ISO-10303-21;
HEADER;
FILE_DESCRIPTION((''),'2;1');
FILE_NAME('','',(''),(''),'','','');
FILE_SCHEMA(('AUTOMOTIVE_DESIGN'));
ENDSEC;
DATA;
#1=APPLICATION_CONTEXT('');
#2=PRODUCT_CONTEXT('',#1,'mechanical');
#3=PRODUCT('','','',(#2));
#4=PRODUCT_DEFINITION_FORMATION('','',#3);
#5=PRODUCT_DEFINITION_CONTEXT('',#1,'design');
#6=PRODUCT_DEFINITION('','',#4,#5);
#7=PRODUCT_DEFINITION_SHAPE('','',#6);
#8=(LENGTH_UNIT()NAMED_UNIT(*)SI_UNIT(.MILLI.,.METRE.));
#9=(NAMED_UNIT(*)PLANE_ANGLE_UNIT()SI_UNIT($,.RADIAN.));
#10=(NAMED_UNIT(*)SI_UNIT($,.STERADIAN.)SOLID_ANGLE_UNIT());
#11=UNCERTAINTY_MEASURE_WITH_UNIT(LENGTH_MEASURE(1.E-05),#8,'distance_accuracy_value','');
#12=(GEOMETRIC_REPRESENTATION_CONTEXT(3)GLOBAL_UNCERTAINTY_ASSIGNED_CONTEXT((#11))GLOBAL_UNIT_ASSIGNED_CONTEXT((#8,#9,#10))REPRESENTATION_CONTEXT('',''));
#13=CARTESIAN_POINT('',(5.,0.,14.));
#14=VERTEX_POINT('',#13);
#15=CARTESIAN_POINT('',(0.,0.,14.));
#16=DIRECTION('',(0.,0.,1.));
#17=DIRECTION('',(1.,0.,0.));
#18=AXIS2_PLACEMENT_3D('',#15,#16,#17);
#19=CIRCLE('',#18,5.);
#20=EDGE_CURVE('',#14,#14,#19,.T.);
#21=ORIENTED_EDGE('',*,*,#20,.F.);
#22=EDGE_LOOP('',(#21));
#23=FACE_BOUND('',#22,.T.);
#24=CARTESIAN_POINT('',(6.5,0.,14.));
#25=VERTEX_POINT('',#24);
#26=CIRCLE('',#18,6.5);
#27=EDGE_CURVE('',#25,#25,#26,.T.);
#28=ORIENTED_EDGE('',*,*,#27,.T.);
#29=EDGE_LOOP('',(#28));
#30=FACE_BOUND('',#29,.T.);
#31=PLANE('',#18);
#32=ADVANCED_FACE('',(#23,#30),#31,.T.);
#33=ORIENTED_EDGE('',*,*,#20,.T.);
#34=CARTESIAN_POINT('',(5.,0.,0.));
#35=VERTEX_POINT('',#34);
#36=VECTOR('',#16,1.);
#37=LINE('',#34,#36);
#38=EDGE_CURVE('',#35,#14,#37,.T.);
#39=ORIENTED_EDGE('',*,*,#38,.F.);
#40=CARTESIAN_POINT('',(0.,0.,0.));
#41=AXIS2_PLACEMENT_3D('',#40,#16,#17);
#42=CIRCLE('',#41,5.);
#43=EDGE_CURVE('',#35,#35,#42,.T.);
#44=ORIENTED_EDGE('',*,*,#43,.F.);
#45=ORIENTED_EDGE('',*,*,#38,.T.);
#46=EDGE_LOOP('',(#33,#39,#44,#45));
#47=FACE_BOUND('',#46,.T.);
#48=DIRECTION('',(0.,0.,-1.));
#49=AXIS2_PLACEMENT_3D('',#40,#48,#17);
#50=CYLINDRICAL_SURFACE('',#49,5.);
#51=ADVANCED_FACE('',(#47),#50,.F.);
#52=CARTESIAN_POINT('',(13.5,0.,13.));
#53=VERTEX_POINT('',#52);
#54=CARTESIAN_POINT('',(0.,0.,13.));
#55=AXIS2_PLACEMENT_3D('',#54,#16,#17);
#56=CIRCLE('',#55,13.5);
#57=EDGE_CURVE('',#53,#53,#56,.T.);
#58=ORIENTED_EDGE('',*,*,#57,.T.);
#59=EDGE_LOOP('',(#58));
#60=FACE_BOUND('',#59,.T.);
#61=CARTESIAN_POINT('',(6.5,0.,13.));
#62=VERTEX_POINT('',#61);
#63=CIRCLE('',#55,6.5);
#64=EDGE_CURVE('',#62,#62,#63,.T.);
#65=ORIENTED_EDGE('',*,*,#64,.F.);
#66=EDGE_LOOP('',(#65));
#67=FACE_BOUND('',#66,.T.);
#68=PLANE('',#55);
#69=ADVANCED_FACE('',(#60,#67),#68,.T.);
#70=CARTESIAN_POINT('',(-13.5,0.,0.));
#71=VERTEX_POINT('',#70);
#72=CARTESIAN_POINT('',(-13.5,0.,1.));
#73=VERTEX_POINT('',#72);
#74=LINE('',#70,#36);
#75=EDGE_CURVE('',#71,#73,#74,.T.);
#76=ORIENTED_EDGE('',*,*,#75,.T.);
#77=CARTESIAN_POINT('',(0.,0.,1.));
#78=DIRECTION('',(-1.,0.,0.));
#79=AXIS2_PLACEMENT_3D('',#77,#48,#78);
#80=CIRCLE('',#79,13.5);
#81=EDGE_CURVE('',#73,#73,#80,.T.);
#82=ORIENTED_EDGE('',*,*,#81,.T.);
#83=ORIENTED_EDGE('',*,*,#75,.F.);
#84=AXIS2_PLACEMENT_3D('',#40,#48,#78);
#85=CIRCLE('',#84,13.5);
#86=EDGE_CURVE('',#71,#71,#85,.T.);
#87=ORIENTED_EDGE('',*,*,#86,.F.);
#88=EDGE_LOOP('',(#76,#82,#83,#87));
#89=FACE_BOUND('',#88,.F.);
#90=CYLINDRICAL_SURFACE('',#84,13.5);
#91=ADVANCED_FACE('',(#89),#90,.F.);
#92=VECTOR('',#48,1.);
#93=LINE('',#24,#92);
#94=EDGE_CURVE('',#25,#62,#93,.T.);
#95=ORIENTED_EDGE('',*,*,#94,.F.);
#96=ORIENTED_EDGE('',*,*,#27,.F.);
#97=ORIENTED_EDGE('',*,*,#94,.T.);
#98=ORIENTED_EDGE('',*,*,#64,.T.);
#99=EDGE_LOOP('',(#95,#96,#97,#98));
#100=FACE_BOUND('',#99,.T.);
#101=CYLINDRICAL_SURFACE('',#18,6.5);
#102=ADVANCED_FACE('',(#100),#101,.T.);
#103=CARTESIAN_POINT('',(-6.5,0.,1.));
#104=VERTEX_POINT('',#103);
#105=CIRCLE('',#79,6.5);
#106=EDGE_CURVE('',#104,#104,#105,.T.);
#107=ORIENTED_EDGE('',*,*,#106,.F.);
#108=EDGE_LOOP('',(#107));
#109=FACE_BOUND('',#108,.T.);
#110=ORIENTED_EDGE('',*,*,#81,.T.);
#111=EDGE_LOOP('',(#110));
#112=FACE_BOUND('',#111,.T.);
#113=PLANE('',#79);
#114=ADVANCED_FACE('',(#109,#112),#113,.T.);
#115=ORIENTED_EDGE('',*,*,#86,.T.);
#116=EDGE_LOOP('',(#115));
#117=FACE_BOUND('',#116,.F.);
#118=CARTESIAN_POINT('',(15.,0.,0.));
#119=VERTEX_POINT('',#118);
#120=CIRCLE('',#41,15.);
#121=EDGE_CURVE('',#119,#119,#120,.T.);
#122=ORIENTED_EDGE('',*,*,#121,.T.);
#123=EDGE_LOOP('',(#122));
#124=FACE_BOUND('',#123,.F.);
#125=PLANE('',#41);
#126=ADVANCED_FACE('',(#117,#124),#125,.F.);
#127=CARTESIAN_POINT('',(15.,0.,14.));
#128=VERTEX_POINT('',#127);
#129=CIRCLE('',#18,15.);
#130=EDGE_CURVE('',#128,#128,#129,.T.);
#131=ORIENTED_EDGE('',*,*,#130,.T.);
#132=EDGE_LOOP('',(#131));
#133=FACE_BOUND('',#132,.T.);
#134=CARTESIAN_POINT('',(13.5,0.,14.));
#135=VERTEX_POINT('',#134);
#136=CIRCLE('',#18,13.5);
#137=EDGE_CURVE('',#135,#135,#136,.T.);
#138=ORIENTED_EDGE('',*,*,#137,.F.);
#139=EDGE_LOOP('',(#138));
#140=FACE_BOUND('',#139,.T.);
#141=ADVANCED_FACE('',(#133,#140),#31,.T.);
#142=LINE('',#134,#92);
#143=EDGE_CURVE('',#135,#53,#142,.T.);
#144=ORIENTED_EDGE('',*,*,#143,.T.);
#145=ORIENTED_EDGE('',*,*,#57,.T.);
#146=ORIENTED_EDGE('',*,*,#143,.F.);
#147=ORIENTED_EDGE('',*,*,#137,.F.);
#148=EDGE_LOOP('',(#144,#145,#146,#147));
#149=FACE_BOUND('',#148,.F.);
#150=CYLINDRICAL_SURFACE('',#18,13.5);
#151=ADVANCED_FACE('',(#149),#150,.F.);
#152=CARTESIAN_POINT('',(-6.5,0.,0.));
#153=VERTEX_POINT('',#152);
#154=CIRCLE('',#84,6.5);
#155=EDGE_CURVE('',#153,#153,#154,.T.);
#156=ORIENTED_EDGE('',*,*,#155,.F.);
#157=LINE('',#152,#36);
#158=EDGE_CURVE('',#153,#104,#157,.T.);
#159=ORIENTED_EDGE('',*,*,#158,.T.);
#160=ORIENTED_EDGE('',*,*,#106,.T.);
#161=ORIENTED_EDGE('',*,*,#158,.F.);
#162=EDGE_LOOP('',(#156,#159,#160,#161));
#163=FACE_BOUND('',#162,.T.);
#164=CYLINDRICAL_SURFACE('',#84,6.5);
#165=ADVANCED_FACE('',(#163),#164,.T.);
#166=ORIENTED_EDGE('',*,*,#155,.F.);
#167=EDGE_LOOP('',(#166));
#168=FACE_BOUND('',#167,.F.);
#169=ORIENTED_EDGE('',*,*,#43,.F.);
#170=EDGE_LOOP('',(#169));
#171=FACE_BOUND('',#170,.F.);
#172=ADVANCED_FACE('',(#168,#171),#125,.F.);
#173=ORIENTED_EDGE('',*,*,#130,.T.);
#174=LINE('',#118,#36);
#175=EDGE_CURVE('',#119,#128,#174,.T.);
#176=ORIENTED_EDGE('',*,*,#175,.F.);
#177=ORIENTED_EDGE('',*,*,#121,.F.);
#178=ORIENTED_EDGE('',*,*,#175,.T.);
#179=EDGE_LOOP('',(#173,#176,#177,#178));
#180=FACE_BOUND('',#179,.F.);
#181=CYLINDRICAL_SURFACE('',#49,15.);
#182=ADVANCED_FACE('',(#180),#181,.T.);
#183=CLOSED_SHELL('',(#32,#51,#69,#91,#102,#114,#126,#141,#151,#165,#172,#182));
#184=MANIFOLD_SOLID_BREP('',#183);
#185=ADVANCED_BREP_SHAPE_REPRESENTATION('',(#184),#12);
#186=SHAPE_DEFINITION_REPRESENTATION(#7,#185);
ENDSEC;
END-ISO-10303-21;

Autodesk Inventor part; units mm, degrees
ref_plane "YZ Plane" through (0, 0, 0) normal (1, 0, 0) x (0, 1, 0)
ref_plane "XZ Plane" through (0, 0, 0) normal (0, 1, 0) x (-1, 0, 0)
ref_plane "XY Plane" through (0, 0, 0) normal (0, 0, 1) x (1, 0, 0)
sketch "Szkic1" plane through (0, 0, 0) normal (0, 0, 1) x (1, 0, 0)
  circle A0 centre (0, 0) radius 15
  circle A1 centre (0, 0) radius 5
  dimension "d0" = 30
  dimension "d1" = 10
extrude "Wyciągnięcie proste1" add sketch "Szkic1" along normal blind 14
sketch "Szkic2" plane through (0, 0, 14) normal (0, 0, 1) x (1, 0, 0)
  circle A0 centre (0, 0) radius 6.5
  circle A1 centre (0, 0) radius 13.5
  dimension "d4" = 13
  dimension "d5" = 27
extrude "Wyciągnięcie proste2" cut sketch "Szkic2" against normal blind 1
sketch "Szkic3" plane through (0, 0, 0) normal (0, 0, -1) x (-1, 0, 0)
  circle A0 centre (0, 0) radius 6.5
  circle A1 centre (0, 0) radius 13.5
  dimension "d8" = 13
  dimension "d9" = 27
extrude "Wyciągnięcie proste3" cut sketch "Szkic3" against normal blind 1
properties part number "Łożysko kulowe jednorzędowe 3200 2RS"
